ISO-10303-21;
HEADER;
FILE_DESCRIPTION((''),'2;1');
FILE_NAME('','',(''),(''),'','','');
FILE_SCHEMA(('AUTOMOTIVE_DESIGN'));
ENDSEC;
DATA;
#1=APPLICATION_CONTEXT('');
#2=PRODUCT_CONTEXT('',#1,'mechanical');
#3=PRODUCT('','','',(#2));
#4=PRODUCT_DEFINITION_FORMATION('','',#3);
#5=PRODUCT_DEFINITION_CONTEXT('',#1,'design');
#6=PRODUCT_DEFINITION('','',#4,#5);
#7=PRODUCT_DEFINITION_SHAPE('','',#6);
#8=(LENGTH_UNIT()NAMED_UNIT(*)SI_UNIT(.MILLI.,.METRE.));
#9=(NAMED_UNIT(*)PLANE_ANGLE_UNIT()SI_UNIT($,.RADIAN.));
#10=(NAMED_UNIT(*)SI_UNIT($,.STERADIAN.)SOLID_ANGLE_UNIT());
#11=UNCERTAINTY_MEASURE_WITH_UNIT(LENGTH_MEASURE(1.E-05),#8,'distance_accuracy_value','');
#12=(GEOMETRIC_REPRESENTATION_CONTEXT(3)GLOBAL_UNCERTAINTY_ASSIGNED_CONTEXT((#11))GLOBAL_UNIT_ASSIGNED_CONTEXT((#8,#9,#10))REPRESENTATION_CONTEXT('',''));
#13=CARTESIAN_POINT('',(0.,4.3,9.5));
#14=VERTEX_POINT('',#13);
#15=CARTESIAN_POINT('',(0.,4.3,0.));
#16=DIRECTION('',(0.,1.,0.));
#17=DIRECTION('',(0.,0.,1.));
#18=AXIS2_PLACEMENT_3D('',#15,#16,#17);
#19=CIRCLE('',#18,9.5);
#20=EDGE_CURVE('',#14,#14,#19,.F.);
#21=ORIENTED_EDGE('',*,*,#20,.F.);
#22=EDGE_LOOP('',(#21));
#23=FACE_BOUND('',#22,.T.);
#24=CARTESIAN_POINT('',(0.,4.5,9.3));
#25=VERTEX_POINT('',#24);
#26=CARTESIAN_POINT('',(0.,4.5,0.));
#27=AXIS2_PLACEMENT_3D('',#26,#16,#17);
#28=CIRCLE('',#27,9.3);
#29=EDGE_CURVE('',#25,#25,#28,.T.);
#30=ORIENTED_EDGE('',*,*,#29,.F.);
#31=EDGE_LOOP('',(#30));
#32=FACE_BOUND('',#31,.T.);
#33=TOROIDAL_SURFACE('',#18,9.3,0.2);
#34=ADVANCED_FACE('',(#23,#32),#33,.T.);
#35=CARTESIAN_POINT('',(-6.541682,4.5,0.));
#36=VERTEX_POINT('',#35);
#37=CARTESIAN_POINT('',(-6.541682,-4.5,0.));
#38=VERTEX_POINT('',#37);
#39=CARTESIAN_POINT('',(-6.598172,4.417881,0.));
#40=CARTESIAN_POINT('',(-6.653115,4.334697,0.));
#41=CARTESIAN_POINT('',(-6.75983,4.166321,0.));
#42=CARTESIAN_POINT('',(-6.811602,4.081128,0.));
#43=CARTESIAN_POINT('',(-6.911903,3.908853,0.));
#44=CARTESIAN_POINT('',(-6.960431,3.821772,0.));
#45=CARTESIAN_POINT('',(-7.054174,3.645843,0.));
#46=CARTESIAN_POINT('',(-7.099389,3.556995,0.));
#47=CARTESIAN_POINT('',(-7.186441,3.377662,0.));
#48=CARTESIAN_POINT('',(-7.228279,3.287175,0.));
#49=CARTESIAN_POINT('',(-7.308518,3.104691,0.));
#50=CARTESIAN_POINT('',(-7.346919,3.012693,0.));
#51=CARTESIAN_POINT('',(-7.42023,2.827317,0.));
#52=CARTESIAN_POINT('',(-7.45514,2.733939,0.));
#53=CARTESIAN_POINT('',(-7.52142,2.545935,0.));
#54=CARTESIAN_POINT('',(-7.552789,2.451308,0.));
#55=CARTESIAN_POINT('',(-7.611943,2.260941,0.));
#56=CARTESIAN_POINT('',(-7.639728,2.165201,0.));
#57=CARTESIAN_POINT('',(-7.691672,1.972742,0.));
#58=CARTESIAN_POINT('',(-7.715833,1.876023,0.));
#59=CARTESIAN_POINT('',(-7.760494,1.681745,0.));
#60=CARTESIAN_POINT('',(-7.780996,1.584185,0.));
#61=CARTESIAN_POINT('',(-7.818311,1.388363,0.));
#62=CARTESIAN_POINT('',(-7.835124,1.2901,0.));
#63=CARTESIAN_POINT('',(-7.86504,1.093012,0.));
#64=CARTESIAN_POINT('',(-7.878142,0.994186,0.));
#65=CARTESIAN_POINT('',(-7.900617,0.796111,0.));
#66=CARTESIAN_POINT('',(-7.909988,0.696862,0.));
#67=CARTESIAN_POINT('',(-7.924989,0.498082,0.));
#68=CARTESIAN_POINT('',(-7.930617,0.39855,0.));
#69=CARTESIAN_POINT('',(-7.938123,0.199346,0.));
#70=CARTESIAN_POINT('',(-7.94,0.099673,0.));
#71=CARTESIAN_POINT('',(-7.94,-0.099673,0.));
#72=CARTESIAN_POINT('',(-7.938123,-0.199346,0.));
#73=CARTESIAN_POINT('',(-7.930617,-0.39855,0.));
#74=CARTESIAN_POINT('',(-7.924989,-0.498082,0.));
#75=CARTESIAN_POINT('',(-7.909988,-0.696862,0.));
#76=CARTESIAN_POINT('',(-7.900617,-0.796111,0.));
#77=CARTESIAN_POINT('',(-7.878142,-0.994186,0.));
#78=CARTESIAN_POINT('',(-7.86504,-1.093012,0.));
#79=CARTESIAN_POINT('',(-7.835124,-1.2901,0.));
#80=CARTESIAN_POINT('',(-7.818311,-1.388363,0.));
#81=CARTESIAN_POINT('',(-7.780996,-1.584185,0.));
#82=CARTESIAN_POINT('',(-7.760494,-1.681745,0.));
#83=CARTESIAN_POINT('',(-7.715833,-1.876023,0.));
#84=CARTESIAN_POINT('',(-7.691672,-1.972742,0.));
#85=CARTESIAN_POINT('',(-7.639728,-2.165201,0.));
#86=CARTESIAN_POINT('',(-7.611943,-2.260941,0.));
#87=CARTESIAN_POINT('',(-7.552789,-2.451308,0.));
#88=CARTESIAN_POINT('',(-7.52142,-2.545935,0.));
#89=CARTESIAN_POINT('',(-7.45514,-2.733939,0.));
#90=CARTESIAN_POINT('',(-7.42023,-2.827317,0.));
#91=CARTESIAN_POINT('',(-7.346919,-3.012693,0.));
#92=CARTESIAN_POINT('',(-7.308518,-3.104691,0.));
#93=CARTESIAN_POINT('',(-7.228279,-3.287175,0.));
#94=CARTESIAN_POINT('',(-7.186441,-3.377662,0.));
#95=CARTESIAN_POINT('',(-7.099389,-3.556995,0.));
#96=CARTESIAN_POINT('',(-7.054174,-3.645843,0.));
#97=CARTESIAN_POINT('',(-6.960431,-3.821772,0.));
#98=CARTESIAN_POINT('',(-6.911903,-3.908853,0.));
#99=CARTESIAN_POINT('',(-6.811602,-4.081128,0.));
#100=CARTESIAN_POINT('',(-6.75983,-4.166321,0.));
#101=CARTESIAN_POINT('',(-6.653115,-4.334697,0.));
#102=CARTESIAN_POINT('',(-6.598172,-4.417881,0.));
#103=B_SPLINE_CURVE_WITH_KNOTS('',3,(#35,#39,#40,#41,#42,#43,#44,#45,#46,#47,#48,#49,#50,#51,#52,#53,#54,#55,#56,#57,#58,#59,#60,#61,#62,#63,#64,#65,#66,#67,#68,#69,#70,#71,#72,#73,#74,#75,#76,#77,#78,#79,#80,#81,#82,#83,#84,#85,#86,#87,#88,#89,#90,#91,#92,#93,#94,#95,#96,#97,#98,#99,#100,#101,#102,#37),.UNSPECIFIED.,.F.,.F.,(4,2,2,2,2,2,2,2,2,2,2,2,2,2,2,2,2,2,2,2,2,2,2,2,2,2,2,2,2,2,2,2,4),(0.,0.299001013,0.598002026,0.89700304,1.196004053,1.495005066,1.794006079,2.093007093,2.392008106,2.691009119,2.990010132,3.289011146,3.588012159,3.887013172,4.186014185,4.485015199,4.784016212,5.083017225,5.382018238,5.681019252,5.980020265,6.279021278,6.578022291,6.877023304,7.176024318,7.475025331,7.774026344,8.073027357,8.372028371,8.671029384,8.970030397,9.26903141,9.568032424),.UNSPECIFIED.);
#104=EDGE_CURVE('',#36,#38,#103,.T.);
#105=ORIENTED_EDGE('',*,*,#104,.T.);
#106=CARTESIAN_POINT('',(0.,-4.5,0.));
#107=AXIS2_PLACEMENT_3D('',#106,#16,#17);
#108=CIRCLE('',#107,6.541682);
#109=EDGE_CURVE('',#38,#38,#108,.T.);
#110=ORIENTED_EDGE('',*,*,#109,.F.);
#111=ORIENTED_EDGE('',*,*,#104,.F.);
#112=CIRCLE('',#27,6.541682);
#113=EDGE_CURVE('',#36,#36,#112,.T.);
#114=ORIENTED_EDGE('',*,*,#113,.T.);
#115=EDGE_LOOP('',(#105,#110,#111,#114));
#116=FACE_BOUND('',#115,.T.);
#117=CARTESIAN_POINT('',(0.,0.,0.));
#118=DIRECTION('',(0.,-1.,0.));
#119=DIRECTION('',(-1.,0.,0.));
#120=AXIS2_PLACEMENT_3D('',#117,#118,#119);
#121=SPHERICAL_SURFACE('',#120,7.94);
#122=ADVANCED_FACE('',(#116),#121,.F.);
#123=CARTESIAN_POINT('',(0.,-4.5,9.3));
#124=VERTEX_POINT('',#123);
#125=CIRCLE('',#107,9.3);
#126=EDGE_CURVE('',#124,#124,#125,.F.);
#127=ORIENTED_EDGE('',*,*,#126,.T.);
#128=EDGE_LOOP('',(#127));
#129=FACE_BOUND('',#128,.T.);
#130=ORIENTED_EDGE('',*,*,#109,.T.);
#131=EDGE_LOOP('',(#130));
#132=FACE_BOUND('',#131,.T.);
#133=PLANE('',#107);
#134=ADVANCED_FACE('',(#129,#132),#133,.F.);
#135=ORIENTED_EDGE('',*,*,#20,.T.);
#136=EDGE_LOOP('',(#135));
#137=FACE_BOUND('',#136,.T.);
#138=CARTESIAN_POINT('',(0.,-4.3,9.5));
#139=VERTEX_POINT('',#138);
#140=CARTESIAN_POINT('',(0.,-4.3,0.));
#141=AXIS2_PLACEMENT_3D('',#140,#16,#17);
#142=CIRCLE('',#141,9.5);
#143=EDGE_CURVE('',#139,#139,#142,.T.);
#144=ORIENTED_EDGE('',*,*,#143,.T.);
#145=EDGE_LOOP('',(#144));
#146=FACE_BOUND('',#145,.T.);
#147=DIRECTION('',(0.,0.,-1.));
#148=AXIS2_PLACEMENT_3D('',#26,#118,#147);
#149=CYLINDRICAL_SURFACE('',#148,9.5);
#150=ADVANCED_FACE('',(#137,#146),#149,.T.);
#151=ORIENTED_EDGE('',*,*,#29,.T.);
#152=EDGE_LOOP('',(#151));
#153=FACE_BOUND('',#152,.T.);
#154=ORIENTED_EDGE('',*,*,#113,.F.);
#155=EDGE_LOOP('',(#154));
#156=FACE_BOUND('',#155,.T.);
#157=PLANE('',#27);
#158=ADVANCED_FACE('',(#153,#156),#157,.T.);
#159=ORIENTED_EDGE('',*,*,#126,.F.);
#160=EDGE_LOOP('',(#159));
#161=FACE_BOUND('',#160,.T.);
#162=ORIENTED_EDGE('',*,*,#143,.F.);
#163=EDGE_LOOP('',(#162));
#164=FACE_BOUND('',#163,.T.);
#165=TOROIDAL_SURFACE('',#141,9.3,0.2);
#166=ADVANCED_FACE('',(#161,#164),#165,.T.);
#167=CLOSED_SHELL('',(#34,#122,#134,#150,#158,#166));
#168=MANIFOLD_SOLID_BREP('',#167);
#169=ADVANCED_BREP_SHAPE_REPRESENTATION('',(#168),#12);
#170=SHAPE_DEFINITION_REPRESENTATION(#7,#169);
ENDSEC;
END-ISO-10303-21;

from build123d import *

# Parameters (mm, degrees)
SZKIC1_R                    = 9.5
DODANIE_WYCI_GNI_CIE1_DEPTH = 4.5
ZAOKR_GLENIE1_R             = 0.2


with BuildPart() as part:
    # Szkic1 → Dodanie-wyciągnięcie1 (new, symmetric)
    with BuildSketch(Plane(origin=(0, 0, 0), x_dir=(1, 0, 0), z_dir=(0, 1, 0))):
        with Locations(Location((0, 0, 0), (0, 0, 270))):
            Circle(SZKIC1_R)
    extrude(amount=DODANIE_WYCI_GNI_CIE1_DEPTH, both=True)

    # Szkic3 → Wycięcie-obrót1 (revolve, cut)
    with BuildSketch(Plane.XY):
        with BuildLine():
            Line((0, -7.94), (0, 7.94))
            ThreePointArc((0, 7.94), (7.94, 0), (0, -7.94))
        make_face()
    revolve(axis=Axis((0, -7.94, 0), (0, 1, 0)), mode=Mode.SUBTRACT)

    # Zaokrąglenie1
    zaokr_glenie1_edges = [part.edges().sort_by_distance(p)[0] for p in [
        (0, -4.5, -9.5),
        (0, 4.5, -9.5),
    ]]
    fillet(zaokr_glenie1_edges, radius=ZAOKR_GLENIE1_R)


solid = part.part
